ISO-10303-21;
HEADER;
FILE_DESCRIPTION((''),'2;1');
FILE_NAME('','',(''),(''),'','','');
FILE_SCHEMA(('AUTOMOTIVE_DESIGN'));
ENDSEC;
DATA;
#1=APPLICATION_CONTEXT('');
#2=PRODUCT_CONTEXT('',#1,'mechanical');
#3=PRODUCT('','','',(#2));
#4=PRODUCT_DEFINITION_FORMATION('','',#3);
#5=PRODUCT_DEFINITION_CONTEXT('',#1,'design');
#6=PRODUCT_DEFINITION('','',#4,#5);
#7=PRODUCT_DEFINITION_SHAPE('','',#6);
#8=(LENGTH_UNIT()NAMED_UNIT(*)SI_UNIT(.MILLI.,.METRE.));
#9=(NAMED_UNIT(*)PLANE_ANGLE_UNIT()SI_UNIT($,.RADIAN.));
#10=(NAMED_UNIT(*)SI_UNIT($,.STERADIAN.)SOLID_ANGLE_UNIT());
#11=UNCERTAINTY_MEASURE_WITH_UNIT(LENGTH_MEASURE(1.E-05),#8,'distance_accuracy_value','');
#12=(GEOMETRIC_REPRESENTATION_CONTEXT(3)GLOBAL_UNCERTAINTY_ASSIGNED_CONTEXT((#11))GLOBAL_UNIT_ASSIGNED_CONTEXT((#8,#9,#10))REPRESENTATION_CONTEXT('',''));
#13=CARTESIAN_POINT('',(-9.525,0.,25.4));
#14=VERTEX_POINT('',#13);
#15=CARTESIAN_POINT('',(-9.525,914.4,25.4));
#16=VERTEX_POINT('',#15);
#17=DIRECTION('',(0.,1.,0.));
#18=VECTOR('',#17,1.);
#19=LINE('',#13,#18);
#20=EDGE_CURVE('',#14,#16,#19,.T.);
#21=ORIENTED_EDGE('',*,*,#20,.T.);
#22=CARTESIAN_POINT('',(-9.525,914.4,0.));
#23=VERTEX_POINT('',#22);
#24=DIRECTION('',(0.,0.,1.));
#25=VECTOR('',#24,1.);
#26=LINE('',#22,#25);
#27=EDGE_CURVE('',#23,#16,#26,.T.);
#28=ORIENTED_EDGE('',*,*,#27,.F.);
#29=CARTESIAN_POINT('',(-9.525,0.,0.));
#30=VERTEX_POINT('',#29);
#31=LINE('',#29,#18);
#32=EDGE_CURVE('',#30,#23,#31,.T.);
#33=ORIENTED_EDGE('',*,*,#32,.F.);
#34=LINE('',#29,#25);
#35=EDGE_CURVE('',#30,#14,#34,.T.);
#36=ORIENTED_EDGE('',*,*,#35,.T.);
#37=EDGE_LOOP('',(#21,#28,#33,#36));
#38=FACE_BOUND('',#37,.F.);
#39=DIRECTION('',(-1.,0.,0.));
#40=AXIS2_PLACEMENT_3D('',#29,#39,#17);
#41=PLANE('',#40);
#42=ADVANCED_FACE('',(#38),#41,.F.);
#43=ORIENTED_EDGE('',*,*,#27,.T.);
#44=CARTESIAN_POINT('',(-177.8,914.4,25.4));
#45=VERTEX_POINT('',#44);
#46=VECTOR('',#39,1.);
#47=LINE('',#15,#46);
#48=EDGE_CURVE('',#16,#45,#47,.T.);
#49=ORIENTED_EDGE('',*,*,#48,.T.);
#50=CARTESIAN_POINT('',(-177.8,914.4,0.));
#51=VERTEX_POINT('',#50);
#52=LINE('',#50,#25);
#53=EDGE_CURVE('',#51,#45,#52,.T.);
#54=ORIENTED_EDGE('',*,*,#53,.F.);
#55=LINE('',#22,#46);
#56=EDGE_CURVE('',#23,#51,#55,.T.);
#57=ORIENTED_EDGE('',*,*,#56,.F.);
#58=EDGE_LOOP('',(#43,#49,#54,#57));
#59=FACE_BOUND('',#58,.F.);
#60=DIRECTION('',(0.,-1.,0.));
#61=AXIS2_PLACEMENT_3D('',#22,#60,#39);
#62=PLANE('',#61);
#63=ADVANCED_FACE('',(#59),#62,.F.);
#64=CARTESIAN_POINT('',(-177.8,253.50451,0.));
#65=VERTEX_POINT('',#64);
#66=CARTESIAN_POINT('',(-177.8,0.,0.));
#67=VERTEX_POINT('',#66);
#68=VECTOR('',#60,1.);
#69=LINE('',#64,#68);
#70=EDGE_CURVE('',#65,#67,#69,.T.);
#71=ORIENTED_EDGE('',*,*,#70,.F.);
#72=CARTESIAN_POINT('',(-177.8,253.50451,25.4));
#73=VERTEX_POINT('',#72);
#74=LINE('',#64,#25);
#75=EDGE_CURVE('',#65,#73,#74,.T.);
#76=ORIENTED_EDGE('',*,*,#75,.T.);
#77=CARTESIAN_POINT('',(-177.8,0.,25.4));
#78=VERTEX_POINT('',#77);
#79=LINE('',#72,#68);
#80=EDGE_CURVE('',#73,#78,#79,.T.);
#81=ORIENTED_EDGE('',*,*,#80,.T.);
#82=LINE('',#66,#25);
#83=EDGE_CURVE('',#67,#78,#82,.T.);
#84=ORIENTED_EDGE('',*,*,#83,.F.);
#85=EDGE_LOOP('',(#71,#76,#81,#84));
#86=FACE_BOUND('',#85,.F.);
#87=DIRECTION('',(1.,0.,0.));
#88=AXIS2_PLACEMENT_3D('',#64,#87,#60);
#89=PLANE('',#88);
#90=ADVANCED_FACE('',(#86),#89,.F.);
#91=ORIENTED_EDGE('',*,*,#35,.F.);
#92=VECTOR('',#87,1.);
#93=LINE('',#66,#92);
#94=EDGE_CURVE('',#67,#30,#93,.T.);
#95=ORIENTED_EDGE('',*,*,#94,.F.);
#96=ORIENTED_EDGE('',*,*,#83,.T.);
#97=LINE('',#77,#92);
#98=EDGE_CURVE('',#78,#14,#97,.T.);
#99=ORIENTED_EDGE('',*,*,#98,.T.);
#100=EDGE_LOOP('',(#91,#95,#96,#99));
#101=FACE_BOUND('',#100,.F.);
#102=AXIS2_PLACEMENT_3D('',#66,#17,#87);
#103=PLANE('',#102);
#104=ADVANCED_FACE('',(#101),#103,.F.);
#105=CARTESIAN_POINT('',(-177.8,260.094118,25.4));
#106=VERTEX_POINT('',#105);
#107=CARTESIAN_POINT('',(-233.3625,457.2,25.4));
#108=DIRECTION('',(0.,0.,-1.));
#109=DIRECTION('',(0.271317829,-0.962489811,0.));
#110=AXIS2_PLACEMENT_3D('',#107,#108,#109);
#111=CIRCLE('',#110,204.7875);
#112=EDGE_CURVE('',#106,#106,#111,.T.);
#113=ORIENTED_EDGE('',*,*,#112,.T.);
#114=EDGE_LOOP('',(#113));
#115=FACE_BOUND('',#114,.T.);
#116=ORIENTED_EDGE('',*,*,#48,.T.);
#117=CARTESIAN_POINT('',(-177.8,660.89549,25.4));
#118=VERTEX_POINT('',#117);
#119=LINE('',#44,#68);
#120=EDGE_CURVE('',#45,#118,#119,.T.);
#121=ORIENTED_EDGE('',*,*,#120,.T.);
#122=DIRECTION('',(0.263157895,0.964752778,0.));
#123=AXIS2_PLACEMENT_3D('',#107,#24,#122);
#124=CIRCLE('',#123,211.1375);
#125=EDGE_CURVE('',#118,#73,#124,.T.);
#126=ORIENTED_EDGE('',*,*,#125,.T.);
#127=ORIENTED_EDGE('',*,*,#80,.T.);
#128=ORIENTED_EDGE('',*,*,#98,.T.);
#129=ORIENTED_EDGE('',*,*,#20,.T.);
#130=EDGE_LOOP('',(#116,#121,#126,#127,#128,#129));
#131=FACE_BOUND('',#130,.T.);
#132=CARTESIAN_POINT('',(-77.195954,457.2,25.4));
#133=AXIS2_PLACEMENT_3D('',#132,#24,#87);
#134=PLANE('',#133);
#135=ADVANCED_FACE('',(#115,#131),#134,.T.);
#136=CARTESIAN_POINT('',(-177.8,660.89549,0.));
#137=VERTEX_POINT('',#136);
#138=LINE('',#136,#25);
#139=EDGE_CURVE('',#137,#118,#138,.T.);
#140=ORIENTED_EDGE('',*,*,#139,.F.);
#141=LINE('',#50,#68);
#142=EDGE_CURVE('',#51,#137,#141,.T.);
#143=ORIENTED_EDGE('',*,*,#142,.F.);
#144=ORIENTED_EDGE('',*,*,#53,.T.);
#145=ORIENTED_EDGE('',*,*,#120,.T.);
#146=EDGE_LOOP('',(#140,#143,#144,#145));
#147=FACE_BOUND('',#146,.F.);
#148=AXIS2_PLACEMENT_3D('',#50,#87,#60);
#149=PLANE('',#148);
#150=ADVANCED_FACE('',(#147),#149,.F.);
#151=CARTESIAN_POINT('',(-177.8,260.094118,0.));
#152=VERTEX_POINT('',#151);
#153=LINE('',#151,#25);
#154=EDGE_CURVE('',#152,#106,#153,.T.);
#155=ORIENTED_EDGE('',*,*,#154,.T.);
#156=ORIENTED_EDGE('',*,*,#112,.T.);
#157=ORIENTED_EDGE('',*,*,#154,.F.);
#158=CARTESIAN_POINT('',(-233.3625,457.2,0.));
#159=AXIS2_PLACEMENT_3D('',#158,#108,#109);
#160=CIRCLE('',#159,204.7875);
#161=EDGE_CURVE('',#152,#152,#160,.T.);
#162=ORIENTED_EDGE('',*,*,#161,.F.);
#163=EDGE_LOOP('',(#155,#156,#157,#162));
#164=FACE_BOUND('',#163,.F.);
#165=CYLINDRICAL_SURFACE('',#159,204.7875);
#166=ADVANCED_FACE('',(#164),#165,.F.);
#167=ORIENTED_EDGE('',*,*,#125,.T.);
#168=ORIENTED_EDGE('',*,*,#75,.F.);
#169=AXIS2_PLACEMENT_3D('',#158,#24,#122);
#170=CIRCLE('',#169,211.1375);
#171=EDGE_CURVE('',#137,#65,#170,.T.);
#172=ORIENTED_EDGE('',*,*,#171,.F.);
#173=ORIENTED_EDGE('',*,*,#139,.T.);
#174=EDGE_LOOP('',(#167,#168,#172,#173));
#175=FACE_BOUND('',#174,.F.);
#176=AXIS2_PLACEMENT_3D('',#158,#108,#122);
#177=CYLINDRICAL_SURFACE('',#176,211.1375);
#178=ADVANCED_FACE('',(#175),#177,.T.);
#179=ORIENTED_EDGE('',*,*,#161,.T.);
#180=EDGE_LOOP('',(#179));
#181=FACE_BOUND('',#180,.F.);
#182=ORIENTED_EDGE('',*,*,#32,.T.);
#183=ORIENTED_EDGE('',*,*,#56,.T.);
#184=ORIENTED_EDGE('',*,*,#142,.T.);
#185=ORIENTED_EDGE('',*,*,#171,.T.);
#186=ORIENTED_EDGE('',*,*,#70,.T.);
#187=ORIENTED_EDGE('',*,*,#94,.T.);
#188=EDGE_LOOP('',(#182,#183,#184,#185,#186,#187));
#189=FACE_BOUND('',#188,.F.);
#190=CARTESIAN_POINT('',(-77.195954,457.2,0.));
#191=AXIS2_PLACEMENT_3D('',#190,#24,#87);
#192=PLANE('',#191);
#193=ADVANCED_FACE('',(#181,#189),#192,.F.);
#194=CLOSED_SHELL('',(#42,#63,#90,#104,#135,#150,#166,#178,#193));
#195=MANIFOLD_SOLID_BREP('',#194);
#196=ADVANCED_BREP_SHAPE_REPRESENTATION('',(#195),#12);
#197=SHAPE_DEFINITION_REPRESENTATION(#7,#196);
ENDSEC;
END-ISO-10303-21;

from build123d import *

# Parameters (mm, degrees)
F1_DEPTH = 25.4


with BuildPart() as f1:
    # F0 (on Top) → F1 (new body)
    with BuildSketch(Plane.XY):
        with BuildLine():
            Line((-177.8, 0), (-9.525, 0))
            Line((-9.525, 0), (-9.525, 914.4))
            Line((-9.525, 914.4), (-177.8, 914.4))
            Line((-177.8, 914.4), (-177.8, 660.8954896408))
            ThreePointArc((-177.8, 660.8954896408), (-65.5674296761, 585.3556018333), (-22.225, 457.2))
            ThreePointArc((-22.225, 457.2), (-65.5674296761, 329.0443981667), (-177.8, 253.5045103592))
            Line((-177.8, 253.5045103592), (-177.8, 0))
        make_face()
        with BuildLine():
            ThreePointArc((-177.8, 660.8954896408), (-444.5, 457.2), (-177.8, 253.5045103592))
            Line((-177.8, 253.5045103592), (-177.8, 260.0941179214))
            ThreePointArc((-177.8, 260.0941179214), (-438.15, 457.2), (-177.8, 654.3058820786))
            Line((-177.8, 654.3058820786), (-177.8, 660.8954896408))
        make_face()
        with BuildLine():
            Line((-177.8, 260.0941179214), (-177.8, 253.5045103592))
            ThreePointArc((-177.8, 253.5045103592), (-65.5674296761, 329.0443981667), (-22.225, 457.2))
            ThreePointArc((-22.225, 457.2), (-65.5674296761, 585.3556018333), (-177.8, 660.8954896408))
            Line((-177.8, 660.8954896408), (-177.8, 654.3058820786))
            ThreePointArc((-177.8, 654.3058820786), (-70.0890704026, 580.8111133505), (-28.575, 457.2))
            ThreePointArc((-28.575, 457.2), (-70.0890704026, 333.5888866495), (-177.8, 260.0941179214))
        make_face()
    extrude(amount=F1_DEPTH)


solid = f1.part
